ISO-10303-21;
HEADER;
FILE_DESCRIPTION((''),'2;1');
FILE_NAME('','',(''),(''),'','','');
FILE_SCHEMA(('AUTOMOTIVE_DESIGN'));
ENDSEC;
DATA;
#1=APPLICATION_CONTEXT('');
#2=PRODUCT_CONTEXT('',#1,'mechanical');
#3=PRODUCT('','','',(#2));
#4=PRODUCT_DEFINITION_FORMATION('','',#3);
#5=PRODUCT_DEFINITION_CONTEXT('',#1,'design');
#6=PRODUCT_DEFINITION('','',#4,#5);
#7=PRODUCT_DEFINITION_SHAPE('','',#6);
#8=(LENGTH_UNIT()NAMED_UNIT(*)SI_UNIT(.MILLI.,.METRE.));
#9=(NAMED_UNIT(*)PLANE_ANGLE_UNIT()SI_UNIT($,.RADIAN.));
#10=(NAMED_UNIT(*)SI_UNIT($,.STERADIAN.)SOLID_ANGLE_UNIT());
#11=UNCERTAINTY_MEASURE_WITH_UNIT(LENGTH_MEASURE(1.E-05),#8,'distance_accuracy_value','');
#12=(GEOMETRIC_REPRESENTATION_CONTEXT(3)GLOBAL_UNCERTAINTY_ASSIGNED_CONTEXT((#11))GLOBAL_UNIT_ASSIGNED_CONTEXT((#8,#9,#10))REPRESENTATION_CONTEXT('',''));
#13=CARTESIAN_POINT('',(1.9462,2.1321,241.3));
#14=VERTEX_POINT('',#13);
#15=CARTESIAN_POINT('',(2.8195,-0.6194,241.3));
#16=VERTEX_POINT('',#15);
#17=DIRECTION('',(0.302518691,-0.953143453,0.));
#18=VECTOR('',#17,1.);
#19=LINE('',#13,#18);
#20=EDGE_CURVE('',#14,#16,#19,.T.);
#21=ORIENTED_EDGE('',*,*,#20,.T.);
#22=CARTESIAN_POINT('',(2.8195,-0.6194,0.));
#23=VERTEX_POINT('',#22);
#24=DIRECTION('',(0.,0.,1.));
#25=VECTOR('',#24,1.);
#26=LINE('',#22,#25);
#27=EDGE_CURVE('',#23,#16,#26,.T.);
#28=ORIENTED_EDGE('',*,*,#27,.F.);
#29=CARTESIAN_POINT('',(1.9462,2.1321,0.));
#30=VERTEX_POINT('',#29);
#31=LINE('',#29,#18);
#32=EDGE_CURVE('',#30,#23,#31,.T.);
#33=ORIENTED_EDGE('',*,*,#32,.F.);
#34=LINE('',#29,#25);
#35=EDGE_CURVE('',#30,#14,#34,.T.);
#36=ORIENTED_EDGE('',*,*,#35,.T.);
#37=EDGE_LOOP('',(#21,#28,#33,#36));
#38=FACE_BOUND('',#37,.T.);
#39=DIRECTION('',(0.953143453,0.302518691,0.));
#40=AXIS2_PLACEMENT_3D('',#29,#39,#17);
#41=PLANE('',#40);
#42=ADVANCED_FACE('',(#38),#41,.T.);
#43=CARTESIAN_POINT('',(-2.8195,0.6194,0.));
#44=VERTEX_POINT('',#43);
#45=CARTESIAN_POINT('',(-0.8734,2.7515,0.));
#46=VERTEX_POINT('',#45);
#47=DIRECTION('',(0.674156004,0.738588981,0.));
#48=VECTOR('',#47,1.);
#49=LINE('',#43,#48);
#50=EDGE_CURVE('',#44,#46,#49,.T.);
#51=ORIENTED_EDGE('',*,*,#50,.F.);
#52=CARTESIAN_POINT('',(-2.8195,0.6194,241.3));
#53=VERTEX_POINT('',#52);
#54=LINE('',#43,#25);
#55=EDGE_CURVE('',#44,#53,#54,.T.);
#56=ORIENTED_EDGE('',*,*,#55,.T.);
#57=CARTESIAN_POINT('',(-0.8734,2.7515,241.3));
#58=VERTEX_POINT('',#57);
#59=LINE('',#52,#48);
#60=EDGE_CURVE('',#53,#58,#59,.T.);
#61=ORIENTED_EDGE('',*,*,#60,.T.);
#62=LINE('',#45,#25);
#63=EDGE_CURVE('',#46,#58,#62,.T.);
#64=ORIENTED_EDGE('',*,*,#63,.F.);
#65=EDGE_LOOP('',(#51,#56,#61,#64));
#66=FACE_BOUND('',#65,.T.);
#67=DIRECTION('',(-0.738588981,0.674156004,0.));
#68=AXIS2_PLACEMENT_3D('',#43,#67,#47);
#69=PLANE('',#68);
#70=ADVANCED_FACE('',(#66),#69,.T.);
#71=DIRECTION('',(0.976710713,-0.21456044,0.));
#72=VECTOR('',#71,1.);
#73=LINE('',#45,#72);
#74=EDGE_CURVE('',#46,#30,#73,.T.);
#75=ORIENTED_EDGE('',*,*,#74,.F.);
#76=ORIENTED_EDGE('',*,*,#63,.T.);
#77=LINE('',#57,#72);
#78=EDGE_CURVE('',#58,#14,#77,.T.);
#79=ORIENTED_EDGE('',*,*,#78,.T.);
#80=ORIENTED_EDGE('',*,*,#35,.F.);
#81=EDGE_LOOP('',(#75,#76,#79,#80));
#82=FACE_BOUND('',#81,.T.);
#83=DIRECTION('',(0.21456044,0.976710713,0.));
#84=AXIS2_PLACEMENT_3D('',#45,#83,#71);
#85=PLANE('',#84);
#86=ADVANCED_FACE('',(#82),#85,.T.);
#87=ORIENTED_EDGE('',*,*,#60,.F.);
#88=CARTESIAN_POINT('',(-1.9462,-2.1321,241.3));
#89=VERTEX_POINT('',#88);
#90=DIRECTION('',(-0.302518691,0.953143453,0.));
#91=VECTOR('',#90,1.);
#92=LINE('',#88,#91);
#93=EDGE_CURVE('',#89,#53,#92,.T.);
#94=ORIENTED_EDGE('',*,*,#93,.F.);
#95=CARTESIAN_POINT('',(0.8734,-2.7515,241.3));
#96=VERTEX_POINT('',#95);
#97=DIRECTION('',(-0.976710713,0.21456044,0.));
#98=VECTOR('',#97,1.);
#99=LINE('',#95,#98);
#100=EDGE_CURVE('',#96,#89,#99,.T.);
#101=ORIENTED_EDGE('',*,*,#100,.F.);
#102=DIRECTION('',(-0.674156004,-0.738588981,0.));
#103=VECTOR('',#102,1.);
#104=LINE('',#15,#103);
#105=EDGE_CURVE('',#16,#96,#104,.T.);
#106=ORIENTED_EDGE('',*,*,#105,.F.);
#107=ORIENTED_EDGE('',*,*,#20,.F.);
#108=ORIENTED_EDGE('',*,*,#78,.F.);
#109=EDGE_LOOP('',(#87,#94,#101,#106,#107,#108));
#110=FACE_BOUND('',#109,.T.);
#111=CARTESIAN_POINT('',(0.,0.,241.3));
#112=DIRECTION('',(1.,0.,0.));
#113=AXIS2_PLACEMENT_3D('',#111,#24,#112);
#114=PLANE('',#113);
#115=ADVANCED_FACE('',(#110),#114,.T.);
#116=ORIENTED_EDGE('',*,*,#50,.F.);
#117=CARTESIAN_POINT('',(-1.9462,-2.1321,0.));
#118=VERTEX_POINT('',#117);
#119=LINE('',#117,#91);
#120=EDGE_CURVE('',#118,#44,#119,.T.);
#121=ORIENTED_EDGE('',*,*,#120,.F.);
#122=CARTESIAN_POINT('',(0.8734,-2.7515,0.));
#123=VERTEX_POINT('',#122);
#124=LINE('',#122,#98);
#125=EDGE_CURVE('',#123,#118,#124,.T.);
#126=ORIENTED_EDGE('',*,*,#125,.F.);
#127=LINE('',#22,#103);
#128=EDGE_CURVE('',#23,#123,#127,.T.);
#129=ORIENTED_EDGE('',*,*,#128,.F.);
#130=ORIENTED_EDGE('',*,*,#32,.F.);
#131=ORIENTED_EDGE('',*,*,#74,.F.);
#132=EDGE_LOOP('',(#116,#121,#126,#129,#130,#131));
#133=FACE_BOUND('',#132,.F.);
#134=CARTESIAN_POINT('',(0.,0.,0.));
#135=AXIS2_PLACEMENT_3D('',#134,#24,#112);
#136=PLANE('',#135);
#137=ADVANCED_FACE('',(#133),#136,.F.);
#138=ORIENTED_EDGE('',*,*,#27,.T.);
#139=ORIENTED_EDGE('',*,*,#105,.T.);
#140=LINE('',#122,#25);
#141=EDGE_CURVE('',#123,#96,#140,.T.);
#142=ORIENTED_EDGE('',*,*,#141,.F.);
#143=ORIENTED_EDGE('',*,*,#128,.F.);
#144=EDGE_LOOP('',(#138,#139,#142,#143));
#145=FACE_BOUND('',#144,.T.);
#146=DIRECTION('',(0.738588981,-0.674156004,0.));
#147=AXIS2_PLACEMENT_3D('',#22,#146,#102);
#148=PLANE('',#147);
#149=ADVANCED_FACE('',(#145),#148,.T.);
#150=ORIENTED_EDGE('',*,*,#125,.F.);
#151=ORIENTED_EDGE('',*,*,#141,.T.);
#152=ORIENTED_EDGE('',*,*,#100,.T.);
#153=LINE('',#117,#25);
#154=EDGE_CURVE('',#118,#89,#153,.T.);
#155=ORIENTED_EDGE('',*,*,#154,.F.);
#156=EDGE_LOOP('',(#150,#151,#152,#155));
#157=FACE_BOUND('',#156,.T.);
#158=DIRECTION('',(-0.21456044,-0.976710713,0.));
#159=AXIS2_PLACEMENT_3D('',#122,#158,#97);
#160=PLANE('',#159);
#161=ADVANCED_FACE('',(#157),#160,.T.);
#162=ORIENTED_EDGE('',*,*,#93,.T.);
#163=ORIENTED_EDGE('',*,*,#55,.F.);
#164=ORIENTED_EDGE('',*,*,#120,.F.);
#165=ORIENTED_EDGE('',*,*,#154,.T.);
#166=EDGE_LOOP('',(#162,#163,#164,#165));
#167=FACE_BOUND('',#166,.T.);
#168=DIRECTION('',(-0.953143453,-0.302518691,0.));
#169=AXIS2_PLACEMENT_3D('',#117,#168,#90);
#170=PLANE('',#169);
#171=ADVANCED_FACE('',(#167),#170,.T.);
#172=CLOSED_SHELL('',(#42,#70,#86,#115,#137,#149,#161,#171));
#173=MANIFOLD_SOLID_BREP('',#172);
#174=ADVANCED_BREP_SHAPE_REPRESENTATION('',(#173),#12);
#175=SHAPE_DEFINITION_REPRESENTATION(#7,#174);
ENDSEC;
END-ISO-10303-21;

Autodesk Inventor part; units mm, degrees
ref_plane "YZ Plane" through (0, 0, 0) normal (1, 0, 0) x (0, 1, 0)
ref_plane "XZ Plane" through (0, 0, 0) normal (0, 1, 0) x (-1, 0, 0)
ref_plane "XY Plane" through (0, 0, 0) normal (0, 0, 1) x (1, 0, 0)
sketch "Sketch1" plane through (0, 0, 0) normal (0, 0, 1) x (1, 0, 0)
  line L0 (1.9462, 2.1321) -> (2.8195, -0.6194)
  line L1 (2.8195, -0.6194) -> (0.8734, -2.7515)
  line L2 (0.8734, -2.7515) -> (-1.9462, -2.1321)
  line L3 (-1.9462, -2.1321) -> (-2.8195, 0.6194)
  line L4 (-2.8195, 0.6194) -> (-0.8734, 2.7515)
  line L5 (-0.8734, 2.7515) -> (1.9462, 2.1321)
  point P0 (0, 0)
  point P1 (0, 0)
  dimension "d0" = 5
extrude "Extrusion1" add sketch "Sketch1" along normal blind 241.3
properties part number "cross shaft"
